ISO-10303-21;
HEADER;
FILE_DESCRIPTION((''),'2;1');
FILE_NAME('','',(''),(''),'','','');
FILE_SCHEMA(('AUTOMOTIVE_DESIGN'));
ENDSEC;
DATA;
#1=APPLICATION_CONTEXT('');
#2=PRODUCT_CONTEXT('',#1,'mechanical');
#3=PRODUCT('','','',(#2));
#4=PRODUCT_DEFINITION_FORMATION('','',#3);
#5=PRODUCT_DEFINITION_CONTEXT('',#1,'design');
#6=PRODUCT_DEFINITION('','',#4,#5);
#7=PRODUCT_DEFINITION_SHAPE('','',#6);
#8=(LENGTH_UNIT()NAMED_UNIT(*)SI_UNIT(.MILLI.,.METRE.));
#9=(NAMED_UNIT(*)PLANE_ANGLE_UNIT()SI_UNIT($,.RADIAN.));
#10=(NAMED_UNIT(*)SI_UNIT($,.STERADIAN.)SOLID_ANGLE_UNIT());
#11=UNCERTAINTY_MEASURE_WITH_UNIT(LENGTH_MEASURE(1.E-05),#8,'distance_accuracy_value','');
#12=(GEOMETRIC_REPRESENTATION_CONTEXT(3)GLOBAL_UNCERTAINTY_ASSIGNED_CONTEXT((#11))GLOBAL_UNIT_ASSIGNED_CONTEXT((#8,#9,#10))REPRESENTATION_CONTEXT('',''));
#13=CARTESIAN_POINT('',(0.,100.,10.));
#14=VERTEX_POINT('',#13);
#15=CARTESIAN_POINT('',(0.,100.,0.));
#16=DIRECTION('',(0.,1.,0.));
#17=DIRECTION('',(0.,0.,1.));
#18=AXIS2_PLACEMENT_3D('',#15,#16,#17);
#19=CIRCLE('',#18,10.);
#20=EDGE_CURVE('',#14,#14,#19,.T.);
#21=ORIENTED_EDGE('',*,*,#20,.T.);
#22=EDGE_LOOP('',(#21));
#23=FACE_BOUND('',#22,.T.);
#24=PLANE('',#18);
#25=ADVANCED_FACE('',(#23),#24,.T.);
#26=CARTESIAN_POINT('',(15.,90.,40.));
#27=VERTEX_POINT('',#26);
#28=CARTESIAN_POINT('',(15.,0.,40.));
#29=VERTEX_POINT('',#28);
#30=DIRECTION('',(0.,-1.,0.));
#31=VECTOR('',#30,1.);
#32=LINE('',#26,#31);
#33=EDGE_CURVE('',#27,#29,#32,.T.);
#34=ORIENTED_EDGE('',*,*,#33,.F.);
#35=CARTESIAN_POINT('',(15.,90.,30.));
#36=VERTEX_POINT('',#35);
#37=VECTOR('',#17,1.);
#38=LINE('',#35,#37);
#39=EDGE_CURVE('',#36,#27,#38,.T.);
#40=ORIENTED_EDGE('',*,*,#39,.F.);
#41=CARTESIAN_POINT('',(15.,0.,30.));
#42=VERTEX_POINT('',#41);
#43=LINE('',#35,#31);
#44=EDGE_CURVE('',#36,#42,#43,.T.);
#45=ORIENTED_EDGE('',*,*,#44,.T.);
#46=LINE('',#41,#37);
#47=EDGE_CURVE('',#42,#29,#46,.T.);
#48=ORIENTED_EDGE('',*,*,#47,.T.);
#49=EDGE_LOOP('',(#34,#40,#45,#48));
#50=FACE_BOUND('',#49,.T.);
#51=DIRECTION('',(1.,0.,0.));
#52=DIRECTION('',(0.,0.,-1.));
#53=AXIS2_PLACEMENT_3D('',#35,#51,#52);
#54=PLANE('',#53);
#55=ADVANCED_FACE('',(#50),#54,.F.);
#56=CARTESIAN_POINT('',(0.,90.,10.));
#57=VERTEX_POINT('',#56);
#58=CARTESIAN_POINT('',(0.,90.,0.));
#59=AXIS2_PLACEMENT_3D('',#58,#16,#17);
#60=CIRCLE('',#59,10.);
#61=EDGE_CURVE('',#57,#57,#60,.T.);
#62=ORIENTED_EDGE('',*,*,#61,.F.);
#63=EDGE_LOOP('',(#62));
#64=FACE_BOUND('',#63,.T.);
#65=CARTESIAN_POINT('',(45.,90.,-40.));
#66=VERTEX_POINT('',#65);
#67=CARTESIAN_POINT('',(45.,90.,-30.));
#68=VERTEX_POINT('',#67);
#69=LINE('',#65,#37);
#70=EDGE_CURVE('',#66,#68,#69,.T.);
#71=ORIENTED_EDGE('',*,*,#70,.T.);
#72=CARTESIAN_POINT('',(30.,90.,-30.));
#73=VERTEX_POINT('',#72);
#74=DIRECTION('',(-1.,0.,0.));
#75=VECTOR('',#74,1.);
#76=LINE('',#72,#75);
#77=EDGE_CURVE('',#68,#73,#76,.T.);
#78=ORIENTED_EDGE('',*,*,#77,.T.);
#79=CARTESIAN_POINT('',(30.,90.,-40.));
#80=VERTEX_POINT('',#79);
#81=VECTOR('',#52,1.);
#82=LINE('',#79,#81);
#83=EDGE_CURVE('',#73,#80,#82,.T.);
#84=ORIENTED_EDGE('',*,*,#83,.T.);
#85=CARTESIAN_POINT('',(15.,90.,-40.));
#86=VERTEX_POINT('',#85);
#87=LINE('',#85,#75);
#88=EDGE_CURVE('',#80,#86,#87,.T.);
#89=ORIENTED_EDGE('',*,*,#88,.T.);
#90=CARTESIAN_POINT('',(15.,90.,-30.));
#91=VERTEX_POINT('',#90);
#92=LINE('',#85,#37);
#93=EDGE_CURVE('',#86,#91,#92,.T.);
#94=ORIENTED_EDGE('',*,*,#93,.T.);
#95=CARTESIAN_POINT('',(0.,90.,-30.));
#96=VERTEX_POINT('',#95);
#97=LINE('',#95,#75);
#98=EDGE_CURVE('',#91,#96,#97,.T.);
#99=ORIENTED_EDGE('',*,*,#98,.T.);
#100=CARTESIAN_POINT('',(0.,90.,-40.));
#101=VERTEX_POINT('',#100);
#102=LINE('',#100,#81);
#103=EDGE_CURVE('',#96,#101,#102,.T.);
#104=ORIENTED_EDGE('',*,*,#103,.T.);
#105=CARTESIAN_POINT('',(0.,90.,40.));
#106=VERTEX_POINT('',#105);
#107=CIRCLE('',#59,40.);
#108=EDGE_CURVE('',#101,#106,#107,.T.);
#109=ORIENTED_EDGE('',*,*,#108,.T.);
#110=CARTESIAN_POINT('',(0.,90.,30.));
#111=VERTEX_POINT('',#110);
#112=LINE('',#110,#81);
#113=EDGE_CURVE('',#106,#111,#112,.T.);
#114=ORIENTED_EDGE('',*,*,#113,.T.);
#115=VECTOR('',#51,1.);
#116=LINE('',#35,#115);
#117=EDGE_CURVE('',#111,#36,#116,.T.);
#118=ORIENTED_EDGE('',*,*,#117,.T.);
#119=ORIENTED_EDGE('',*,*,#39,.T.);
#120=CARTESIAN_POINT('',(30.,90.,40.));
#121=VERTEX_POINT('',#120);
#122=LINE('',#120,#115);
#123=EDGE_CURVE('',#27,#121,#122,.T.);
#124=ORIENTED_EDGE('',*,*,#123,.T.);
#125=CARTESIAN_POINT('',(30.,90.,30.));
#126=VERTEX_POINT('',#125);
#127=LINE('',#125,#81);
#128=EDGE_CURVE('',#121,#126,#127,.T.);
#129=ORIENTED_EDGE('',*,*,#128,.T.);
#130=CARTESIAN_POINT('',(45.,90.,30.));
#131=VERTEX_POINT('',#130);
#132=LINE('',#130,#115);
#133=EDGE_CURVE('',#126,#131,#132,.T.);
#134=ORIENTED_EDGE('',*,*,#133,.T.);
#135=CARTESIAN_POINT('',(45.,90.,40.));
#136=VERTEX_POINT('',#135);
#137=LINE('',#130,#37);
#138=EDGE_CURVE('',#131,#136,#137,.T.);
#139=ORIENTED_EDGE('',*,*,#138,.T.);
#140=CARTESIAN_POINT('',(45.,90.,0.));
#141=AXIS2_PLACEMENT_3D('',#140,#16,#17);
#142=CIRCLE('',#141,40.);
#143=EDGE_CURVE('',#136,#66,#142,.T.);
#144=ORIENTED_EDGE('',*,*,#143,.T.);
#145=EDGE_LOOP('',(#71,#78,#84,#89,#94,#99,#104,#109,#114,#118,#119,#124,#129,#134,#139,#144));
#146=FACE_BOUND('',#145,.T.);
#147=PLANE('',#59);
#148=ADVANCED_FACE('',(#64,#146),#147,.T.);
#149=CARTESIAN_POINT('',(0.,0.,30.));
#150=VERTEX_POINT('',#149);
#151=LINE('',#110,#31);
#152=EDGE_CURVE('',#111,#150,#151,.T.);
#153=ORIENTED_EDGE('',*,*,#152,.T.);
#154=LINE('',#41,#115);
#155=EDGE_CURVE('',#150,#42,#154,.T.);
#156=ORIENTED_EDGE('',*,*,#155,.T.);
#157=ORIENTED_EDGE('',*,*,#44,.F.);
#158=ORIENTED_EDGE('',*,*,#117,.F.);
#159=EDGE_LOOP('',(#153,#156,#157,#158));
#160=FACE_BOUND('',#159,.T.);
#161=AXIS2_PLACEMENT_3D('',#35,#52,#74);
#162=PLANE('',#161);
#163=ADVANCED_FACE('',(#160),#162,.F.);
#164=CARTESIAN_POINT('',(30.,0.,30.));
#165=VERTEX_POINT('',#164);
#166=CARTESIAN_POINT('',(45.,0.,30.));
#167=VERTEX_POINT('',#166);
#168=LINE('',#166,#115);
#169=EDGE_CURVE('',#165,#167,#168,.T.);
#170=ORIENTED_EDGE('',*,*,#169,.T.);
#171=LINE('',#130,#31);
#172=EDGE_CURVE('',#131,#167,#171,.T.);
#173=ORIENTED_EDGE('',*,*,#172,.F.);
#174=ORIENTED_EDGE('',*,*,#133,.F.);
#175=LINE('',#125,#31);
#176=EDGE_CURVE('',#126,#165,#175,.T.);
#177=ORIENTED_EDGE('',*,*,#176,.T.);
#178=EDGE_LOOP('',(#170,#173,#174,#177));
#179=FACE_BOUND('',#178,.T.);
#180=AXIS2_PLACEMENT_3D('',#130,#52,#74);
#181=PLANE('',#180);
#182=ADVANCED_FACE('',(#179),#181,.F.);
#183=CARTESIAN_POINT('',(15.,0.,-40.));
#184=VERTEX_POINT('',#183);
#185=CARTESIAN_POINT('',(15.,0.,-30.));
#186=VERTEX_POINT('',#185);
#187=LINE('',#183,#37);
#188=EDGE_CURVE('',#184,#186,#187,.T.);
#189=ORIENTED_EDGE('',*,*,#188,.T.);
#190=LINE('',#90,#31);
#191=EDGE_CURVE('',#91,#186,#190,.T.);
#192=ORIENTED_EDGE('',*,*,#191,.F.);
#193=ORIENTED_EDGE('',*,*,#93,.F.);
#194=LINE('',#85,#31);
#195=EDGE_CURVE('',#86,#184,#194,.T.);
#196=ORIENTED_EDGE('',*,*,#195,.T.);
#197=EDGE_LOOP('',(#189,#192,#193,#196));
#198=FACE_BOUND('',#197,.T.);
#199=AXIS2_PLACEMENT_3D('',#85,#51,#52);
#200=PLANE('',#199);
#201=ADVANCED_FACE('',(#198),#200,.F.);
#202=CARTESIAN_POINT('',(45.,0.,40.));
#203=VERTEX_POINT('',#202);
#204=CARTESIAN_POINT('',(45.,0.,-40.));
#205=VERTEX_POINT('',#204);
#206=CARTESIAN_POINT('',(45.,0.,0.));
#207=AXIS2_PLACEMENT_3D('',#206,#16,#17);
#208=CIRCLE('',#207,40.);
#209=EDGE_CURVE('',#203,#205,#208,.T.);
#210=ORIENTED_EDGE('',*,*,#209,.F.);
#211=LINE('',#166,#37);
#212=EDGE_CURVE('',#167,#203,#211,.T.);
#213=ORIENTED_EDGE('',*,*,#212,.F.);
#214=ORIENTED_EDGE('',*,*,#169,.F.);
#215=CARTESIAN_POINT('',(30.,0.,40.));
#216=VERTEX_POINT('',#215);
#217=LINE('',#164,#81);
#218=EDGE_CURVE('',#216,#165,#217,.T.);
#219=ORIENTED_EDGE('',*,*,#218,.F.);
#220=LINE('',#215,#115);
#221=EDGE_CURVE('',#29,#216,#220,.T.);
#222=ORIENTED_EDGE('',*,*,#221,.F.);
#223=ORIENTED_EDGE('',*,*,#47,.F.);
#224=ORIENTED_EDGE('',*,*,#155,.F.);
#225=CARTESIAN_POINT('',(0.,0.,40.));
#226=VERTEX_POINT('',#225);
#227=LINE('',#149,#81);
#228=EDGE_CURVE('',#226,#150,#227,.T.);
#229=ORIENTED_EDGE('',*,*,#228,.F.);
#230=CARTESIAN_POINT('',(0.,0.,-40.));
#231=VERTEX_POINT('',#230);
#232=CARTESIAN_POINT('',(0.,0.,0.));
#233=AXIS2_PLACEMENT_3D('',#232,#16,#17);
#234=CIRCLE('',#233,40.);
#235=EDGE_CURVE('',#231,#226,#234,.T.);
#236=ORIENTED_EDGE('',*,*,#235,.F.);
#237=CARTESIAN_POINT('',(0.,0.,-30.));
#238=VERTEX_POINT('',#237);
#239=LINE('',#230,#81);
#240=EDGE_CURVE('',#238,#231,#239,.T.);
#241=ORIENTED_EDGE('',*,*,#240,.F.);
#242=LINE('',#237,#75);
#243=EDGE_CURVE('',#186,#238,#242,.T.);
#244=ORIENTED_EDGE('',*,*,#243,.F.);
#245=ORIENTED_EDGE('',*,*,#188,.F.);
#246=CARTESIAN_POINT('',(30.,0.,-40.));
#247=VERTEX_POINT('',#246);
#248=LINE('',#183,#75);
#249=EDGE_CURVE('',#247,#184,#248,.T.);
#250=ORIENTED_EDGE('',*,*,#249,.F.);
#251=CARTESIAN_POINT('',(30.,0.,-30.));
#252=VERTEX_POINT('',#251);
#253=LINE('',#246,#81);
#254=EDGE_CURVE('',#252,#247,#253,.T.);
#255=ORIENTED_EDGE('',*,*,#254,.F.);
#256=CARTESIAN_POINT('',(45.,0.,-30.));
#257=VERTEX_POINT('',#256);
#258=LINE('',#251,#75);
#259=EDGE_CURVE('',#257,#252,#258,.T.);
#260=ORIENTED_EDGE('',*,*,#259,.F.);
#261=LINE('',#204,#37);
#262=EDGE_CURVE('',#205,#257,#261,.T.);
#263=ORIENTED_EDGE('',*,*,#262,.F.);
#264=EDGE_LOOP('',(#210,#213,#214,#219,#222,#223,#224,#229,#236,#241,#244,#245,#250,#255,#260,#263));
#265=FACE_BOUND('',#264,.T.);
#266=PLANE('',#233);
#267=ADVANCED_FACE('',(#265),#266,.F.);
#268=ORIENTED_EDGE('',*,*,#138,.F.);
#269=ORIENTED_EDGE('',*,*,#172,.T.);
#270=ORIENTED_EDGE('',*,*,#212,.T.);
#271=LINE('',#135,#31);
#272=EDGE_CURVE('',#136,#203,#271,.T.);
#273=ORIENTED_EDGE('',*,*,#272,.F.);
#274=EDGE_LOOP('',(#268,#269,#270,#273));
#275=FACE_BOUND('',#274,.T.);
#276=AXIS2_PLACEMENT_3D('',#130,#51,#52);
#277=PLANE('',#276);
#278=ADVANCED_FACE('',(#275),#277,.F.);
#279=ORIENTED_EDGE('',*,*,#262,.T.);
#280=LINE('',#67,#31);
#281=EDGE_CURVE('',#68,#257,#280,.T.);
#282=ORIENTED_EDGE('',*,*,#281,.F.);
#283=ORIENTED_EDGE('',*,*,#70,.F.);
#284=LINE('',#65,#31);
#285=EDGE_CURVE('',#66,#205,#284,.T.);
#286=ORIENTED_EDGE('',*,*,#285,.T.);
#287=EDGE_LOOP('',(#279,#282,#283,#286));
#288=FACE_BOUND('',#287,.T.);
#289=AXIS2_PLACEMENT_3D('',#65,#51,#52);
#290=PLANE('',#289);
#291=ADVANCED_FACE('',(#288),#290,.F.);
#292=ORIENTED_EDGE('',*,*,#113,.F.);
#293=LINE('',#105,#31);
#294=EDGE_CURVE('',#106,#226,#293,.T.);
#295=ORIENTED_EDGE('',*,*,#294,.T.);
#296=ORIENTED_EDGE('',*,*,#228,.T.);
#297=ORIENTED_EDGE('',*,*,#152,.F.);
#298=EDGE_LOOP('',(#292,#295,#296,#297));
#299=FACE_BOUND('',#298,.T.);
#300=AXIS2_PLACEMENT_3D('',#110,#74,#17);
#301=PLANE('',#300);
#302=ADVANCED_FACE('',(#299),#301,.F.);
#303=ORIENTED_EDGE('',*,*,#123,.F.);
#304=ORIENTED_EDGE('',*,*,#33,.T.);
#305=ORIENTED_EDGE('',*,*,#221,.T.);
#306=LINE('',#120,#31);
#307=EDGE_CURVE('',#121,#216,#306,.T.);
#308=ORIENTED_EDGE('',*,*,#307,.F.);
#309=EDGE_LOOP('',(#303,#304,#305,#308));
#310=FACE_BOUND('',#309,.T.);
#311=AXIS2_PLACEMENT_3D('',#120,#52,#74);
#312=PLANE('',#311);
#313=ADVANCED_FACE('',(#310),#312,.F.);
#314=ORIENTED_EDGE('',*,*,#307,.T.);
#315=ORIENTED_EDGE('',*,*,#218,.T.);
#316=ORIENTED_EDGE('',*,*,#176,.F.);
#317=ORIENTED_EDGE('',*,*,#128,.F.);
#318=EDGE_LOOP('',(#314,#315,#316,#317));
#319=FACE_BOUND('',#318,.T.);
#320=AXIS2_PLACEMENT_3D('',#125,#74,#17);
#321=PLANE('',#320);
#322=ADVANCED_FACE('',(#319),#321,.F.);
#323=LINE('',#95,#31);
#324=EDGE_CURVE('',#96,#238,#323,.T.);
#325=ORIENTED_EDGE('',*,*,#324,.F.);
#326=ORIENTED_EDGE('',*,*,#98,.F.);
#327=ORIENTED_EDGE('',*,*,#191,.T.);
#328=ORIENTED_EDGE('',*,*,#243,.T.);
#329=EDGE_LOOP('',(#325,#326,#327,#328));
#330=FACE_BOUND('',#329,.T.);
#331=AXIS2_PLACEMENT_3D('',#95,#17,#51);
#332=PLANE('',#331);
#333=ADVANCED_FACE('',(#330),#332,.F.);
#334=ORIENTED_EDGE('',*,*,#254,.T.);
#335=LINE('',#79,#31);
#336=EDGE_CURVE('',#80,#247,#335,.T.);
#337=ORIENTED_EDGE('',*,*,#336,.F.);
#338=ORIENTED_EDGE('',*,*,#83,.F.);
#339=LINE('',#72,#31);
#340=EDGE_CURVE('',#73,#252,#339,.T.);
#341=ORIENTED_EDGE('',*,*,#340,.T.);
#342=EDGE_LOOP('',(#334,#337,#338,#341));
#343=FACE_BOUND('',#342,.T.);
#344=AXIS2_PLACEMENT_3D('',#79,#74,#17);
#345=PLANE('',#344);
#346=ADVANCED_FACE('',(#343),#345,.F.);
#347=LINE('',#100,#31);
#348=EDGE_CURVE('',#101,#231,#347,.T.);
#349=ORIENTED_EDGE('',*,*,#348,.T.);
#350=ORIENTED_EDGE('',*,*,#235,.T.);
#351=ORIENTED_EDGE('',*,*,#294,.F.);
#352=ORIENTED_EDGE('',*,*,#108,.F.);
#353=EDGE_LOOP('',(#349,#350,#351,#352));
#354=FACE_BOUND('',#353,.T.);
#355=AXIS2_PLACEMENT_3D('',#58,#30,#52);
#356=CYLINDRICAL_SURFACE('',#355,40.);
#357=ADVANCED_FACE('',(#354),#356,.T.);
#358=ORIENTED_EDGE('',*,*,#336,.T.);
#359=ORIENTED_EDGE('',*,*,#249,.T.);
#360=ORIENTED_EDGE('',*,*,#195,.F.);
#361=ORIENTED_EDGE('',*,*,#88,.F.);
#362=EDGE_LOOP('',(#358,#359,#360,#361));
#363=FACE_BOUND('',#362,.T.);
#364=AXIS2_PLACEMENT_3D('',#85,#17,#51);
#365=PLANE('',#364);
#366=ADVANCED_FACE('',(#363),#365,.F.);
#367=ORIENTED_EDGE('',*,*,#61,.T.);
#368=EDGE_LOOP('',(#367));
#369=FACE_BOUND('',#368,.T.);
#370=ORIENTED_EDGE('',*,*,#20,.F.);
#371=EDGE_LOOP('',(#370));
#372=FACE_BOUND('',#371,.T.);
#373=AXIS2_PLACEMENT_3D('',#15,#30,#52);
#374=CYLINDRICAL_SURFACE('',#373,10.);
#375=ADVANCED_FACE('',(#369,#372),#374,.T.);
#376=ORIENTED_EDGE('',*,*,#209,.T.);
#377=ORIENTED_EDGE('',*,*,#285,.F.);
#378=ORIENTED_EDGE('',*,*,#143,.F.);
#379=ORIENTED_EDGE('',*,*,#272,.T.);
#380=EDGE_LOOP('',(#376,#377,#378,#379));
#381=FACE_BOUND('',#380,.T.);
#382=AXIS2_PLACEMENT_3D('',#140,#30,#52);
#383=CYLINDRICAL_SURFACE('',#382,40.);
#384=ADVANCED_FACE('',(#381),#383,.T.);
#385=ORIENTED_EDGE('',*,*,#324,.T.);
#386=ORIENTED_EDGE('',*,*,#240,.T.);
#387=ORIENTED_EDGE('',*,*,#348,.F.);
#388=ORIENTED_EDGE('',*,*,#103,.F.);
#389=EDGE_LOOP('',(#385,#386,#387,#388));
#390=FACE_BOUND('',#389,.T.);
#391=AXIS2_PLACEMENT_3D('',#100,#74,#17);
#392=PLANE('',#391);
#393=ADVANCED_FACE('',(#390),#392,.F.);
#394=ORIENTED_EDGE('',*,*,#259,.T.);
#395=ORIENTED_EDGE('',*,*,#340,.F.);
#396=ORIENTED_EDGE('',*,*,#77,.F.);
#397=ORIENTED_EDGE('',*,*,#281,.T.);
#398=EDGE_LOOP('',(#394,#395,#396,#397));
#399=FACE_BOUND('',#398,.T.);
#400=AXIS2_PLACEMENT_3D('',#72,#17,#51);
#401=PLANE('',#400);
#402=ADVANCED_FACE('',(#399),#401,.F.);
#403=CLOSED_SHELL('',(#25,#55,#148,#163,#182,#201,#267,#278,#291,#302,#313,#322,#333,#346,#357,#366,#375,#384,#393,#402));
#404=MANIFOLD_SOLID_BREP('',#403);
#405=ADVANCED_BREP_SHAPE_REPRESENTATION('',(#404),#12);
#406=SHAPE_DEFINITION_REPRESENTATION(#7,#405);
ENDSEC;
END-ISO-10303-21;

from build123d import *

# Parameters (mm, degrees)
EXTRUDE1_DEPTH = 90
SKETCH2_R      = 10
EXTRUDE2_DEPTH = 10


with BuildPart() as part:
    # Sketch1 → Extrude1 (new body)
    with BuildSketch(Plane(origin=(0, 0, 0), x_dir=(1, 0, 0), z_dir=(0, 1, 0))):
        with BuildLine():
            Line((0, 40), (0, 30))
            Line((0, 30), (15, 30))
            Line((15, 30), (15, 40))
            Line((15, 40), (30, 40))
            Line((30, 40), (30, 30))
            Line((30, 30), (45, 30))
            Line((45, 30), (45, 40))
            ThreePointArc((45, 40), (85, 0), (45, -40))
            Line((45, -40), (45, -30))
            Line((45, -30), (30, -30))
            Line((30, -30), (30, -40))
            Line((30, -40), (15, -40))
            Line((15, -40), (15, -30))
            Line((15, -30), (0, -30))
            Line((0, -30), (0, -40))
            ThreePointArc((0, -40), (-40, 0), (0, 40))
        make_face()
    extrude(amount=EXTRUDE1_DEPTH)

    # Sketch2 → Extrude2 (add)
    with BuildSketch(Plane(origin=(0, 90, 0), x_dir=(-1, 0, 0), z_dir=(0, 1, 0))):
        with Locations(Location((0, 0, 0), (0, 0, 90))):  # turned: the seam where the file's is
            Circle(SKETCH2_R)
    extrude(amount=EXTRUDE2_DEPTH)


solid = part.part
